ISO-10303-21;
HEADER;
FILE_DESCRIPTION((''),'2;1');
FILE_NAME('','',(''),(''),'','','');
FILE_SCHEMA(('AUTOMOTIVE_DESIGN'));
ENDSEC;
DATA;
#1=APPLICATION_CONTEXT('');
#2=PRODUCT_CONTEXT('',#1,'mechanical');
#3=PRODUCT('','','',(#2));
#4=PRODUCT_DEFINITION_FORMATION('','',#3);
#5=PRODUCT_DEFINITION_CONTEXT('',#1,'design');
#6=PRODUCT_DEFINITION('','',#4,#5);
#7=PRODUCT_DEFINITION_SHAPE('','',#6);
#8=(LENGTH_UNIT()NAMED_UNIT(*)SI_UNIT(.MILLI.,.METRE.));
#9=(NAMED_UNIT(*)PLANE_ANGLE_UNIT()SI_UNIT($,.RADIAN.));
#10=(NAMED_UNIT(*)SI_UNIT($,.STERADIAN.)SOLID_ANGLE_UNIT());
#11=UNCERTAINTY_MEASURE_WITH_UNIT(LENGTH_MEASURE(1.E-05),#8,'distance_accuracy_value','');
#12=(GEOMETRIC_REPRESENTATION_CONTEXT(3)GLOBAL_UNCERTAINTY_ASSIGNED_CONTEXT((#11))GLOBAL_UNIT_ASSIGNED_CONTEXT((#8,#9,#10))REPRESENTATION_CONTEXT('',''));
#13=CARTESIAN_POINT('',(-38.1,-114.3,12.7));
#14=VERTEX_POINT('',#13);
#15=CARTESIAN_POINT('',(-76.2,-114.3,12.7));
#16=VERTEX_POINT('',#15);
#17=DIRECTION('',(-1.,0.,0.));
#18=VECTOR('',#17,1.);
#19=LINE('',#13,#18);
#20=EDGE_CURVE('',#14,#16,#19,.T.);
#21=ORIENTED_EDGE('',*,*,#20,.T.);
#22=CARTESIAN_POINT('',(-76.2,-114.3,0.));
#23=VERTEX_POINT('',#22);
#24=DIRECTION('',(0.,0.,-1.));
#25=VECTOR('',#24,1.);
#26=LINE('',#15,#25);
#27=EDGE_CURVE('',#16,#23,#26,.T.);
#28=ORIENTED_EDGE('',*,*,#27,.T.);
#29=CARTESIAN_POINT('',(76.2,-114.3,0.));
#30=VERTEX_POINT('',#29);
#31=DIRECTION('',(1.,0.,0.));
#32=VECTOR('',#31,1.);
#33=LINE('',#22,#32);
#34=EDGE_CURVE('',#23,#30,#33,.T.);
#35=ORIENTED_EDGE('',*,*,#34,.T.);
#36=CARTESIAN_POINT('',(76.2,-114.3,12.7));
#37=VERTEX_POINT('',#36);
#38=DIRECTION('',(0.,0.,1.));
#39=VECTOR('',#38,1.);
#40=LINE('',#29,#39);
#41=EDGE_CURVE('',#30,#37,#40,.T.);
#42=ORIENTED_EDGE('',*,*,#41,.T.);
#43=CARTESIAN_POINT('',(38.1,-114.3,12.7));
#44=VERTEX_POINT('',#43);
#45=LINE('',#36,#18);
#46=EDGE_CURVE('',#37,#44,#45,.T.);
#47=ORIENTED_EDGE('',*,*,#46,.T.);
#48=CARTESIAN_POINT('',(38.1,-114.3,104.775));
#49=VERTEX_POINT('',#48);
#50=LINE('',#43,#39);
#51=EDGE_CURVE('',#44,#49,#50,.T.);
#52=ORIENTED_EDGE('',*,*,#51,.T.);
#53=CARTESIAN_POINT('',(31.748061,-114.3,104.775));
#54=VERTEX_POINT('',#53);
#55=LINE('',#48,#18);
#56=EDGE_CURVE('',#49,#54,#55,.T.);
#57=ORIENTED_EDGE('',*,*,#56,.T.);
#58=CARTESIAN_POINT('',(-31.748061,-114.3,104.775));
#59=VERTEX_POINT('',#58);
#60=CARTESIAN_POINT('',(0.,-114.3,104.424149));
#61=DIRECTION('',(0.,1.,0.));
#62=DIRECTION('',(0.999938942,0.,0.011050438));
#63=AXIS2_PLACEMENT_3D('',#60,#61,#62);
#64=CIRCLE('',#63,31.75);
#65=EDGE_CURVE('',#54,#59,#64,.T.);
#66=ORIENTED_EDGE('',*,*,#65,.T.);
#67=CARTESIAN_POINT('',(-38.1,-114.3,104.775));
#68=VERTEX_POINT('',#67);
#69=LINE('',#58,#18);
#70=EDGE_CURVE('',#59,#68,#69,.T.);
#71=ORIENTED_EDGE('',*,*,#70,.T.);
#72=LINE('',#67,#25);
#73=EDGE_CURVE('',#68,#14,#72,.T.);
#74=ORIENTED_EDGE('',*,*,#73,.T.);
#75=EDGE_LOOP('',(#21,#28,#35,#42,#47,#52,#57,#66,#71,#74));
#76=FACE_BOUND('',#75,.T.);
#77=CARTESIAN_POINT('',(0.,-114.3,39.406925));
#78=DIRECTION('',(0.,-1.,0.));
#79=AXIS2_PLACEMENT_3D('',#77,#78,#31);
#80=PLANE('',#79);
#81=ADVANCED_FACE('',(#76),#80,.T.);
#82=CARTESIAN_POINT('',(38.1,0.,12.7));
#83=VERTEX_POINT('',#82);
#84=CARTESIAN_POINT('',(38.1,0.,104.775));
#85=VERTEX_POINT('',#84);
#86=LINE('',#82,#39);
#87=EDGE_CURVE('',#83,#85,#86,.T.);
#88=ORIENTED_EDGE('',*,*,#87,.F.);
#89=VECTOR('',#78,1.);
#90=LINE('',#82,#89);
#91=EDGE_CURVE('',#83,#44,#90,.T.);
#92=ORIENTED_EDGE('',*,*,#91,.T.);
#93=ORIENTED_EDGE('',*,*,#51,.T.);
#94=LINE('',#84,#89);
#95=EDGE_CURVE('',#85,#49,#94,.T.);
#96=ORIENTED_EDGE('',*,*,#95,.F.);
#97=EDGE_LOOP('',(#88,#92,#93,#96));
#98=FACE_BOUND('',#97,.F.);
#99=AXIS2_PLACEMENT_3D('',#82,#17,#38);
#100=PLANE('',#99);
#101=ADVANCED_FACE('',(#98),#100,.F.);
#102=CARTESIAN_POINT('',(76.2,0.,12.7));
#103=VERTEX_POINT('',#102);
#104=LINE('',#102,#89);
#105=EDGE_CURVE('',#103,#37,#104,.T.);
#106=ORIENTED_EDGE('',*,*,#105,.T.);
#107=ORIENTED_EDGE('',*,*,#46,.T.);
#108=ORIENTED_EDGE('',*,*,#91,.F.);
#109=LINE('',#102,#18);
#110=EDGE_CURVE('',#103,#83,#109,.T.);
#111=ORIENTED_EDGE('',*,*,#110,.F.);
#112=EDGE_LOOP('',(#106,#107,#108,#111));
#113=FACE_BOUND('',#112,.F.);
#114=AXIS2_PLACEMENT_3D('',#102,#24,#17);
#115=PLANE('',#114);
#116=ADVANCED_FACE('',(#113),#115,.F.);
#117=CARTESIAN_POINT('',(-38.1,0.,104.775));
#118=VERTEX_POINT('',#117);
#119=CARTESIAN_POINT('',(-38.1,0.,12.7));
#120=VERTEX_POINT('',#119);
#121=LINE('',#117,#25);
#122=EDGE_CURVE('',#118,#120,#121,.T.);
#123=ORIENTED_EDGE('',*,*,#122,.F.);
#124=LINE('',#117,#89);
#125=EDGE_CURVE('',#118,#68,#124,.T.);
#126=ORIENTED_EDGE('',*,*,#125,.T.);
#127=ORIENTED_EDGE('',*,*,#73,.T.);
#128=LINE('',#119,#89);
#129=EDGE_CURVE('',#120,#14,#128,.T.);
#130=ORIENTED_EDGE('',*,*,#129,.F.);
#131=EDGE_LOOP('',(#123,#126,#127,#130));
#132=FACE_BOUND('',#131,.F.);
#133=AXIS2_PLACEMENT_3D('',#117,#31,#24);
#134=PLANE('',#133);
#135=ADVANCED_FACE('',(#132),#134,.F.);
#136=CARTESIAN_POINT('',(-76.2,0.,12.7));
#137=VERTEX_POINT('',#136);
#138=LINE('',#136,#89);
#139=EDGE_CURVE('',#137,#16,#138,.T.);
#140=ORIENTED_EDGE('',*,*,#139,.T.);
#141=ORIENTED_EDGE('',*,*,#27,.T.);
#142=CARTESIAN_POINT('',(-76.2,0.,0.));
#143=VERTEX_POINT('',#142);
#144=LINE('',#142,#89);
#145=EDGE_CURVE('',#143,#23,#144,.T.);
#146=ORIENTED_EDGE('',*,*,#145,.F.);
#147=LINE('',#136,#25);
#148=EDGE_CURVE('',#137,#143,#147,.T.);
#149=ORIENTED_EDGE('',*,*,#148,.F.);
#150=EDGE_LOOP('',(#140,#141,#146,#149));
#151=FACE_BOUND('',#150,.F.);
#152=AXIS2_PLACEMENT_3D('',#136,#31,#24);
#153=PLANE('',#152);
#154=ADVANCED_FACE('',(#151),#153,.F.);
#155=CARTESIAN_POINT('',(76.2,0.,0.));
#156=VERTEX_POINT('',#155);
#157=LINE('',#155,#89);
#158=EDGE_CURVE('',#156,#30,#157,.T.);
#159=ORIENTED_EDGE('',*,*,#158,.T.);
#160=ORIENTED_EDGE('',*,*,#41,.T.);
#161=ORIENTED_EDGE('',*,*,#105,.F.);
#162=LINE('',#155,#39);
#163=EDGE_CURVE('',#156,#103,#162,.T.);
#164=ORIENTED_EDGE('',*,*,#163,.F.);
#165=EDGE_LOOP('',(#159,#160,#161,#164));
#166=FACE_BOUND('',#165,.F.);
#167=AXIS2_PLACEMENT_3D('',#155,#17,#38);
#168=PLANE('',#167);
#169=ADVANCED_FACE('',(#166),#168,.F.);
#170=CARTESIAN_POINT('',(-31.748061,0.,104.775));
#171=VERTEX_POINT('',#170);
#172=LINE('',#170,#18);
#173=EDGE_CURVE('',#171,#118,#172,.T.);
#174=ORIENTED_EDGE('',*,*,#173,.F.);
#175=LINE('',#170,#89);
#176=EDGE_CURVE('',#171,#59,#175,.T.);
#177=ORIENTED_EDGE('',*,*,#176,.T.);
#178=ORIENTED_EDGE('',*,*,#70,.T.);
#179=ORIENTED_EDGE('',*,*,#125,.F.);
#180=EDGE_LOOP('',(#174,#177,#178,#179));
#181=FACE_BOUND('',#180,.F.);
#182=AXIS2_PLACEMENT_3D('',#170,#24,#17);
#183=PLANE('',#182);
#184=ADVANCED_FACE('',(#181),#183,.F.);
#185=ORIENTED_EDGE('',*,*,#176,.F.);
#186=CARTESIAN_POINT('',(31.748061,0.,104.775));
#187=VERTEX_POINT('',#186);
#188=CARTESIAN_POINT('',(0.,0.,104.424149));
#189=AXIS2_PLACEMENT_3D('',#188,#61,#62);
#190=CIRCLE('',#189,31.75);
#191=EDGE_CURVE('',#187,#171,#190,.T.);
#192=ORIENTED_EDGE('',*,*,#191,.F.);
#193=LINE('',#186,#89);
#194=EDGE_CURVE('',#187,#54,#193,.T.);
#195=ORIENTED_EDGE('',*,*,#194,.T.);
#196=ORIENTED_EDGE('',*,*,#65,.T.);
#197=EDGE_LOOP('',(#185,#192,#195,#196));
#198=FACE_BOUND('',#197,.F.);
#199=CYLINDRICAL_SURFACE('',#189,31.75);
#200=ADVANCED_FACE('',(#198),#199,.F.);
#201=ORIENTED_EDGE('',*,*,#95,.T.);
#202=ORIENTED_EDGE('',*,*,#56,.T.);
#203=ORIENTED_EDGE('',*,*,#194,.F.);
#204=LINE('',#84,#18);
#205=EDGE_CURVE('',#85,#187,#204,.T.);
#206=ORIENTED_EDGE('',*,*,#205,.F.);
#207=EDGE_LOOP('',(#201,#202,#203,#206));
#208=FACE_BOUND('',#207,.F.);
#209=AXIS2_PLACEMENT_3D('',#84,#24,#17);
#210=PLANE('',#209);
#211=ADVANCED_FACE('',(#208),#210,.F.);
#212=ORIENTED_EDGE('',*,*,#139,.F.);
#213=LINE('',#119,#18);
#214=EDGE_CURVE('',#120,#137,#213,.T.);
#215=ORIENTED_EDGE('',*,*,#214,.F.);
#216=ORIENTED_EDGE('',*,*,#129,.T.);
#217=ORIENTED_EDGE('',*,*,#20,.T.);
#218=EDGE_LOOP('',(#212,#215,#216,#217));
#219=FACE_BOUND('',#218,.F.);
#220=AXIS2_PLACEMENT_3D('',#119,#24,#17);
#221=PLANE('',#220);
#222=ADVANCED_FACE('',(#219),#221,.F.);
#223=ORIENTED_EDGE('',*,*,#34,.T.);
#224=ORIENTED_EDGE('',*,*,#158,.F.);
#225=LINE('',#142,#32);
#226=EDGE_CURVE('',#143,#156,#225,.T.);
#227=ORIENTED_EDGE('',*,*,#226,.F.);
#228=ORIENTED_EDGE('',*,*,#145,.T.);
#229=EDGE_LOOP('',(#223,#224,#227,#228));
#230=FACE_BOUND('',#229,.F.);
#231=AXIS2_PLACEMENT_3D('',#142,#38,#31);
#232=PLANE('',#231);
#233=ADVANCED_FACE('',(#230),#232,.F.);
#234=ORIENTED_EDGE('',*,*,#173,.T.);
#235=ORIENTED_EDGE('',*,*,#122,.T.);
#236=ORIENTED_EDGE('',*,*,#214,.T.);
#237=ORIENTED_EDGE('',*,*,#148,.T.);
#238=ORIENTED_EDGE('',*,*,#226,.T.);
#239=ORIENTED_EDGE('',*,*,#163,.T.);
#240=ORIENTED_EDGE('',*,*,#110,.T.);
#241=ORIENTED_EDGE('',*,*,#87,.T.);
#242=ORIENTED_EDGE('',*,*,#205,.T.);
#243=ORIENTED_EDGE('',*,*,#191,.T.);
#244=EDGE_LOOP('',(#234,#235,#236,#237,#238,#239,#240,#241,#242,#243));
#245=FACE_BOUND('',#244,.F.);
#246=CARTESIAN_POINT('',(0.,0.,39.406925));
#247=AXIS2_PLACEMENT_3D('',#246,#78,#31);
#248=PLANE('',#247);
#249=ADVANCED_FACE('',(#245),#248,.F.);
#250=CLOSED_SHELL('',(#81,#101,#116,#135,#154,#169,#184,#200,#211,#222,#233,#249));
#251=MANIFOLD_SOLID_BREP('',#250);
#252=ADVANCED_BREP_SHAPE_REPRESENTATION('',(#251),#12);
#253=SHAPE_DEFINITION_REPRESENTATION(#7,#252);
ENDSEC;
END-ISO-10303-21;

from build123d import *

# Parameters (mm, degrees)
F1_DEPTH = 114.3


with BuildPart() as f1:
    # F0 (on Front) → F1 (new body)
    with BuildSketch(Plane.XZ):
        with BuildLine():
            Line((-76.2, 0), (0, 0))
            Line((0, 0), (76.2, 0))
            Line((76.2, 0), (76.2, 12.7))
            Line((76.2, 12.7), (38.1, 12.7))
            Line((38.1, 12.7), (38.1, 104.775))
            Line((38.1, 104.775), (31.748061, 104.775))
            ThreePointArc((31.748061, 104.775), (0, 72.674149), (-31.748061, 104.775))
            Line((-31.748061, 104.775), (-38.1, 104.775))
            Line((-38.1, 104.775), (-38.1, 12.7))
            Line((-38.1, 12.7), (-76.2, 12.7))
            Line((-76.2, 12.7), (-76.2, 0))
        make_face()
    extrude(amount=F1_DEPTH)


solid = f1.part
